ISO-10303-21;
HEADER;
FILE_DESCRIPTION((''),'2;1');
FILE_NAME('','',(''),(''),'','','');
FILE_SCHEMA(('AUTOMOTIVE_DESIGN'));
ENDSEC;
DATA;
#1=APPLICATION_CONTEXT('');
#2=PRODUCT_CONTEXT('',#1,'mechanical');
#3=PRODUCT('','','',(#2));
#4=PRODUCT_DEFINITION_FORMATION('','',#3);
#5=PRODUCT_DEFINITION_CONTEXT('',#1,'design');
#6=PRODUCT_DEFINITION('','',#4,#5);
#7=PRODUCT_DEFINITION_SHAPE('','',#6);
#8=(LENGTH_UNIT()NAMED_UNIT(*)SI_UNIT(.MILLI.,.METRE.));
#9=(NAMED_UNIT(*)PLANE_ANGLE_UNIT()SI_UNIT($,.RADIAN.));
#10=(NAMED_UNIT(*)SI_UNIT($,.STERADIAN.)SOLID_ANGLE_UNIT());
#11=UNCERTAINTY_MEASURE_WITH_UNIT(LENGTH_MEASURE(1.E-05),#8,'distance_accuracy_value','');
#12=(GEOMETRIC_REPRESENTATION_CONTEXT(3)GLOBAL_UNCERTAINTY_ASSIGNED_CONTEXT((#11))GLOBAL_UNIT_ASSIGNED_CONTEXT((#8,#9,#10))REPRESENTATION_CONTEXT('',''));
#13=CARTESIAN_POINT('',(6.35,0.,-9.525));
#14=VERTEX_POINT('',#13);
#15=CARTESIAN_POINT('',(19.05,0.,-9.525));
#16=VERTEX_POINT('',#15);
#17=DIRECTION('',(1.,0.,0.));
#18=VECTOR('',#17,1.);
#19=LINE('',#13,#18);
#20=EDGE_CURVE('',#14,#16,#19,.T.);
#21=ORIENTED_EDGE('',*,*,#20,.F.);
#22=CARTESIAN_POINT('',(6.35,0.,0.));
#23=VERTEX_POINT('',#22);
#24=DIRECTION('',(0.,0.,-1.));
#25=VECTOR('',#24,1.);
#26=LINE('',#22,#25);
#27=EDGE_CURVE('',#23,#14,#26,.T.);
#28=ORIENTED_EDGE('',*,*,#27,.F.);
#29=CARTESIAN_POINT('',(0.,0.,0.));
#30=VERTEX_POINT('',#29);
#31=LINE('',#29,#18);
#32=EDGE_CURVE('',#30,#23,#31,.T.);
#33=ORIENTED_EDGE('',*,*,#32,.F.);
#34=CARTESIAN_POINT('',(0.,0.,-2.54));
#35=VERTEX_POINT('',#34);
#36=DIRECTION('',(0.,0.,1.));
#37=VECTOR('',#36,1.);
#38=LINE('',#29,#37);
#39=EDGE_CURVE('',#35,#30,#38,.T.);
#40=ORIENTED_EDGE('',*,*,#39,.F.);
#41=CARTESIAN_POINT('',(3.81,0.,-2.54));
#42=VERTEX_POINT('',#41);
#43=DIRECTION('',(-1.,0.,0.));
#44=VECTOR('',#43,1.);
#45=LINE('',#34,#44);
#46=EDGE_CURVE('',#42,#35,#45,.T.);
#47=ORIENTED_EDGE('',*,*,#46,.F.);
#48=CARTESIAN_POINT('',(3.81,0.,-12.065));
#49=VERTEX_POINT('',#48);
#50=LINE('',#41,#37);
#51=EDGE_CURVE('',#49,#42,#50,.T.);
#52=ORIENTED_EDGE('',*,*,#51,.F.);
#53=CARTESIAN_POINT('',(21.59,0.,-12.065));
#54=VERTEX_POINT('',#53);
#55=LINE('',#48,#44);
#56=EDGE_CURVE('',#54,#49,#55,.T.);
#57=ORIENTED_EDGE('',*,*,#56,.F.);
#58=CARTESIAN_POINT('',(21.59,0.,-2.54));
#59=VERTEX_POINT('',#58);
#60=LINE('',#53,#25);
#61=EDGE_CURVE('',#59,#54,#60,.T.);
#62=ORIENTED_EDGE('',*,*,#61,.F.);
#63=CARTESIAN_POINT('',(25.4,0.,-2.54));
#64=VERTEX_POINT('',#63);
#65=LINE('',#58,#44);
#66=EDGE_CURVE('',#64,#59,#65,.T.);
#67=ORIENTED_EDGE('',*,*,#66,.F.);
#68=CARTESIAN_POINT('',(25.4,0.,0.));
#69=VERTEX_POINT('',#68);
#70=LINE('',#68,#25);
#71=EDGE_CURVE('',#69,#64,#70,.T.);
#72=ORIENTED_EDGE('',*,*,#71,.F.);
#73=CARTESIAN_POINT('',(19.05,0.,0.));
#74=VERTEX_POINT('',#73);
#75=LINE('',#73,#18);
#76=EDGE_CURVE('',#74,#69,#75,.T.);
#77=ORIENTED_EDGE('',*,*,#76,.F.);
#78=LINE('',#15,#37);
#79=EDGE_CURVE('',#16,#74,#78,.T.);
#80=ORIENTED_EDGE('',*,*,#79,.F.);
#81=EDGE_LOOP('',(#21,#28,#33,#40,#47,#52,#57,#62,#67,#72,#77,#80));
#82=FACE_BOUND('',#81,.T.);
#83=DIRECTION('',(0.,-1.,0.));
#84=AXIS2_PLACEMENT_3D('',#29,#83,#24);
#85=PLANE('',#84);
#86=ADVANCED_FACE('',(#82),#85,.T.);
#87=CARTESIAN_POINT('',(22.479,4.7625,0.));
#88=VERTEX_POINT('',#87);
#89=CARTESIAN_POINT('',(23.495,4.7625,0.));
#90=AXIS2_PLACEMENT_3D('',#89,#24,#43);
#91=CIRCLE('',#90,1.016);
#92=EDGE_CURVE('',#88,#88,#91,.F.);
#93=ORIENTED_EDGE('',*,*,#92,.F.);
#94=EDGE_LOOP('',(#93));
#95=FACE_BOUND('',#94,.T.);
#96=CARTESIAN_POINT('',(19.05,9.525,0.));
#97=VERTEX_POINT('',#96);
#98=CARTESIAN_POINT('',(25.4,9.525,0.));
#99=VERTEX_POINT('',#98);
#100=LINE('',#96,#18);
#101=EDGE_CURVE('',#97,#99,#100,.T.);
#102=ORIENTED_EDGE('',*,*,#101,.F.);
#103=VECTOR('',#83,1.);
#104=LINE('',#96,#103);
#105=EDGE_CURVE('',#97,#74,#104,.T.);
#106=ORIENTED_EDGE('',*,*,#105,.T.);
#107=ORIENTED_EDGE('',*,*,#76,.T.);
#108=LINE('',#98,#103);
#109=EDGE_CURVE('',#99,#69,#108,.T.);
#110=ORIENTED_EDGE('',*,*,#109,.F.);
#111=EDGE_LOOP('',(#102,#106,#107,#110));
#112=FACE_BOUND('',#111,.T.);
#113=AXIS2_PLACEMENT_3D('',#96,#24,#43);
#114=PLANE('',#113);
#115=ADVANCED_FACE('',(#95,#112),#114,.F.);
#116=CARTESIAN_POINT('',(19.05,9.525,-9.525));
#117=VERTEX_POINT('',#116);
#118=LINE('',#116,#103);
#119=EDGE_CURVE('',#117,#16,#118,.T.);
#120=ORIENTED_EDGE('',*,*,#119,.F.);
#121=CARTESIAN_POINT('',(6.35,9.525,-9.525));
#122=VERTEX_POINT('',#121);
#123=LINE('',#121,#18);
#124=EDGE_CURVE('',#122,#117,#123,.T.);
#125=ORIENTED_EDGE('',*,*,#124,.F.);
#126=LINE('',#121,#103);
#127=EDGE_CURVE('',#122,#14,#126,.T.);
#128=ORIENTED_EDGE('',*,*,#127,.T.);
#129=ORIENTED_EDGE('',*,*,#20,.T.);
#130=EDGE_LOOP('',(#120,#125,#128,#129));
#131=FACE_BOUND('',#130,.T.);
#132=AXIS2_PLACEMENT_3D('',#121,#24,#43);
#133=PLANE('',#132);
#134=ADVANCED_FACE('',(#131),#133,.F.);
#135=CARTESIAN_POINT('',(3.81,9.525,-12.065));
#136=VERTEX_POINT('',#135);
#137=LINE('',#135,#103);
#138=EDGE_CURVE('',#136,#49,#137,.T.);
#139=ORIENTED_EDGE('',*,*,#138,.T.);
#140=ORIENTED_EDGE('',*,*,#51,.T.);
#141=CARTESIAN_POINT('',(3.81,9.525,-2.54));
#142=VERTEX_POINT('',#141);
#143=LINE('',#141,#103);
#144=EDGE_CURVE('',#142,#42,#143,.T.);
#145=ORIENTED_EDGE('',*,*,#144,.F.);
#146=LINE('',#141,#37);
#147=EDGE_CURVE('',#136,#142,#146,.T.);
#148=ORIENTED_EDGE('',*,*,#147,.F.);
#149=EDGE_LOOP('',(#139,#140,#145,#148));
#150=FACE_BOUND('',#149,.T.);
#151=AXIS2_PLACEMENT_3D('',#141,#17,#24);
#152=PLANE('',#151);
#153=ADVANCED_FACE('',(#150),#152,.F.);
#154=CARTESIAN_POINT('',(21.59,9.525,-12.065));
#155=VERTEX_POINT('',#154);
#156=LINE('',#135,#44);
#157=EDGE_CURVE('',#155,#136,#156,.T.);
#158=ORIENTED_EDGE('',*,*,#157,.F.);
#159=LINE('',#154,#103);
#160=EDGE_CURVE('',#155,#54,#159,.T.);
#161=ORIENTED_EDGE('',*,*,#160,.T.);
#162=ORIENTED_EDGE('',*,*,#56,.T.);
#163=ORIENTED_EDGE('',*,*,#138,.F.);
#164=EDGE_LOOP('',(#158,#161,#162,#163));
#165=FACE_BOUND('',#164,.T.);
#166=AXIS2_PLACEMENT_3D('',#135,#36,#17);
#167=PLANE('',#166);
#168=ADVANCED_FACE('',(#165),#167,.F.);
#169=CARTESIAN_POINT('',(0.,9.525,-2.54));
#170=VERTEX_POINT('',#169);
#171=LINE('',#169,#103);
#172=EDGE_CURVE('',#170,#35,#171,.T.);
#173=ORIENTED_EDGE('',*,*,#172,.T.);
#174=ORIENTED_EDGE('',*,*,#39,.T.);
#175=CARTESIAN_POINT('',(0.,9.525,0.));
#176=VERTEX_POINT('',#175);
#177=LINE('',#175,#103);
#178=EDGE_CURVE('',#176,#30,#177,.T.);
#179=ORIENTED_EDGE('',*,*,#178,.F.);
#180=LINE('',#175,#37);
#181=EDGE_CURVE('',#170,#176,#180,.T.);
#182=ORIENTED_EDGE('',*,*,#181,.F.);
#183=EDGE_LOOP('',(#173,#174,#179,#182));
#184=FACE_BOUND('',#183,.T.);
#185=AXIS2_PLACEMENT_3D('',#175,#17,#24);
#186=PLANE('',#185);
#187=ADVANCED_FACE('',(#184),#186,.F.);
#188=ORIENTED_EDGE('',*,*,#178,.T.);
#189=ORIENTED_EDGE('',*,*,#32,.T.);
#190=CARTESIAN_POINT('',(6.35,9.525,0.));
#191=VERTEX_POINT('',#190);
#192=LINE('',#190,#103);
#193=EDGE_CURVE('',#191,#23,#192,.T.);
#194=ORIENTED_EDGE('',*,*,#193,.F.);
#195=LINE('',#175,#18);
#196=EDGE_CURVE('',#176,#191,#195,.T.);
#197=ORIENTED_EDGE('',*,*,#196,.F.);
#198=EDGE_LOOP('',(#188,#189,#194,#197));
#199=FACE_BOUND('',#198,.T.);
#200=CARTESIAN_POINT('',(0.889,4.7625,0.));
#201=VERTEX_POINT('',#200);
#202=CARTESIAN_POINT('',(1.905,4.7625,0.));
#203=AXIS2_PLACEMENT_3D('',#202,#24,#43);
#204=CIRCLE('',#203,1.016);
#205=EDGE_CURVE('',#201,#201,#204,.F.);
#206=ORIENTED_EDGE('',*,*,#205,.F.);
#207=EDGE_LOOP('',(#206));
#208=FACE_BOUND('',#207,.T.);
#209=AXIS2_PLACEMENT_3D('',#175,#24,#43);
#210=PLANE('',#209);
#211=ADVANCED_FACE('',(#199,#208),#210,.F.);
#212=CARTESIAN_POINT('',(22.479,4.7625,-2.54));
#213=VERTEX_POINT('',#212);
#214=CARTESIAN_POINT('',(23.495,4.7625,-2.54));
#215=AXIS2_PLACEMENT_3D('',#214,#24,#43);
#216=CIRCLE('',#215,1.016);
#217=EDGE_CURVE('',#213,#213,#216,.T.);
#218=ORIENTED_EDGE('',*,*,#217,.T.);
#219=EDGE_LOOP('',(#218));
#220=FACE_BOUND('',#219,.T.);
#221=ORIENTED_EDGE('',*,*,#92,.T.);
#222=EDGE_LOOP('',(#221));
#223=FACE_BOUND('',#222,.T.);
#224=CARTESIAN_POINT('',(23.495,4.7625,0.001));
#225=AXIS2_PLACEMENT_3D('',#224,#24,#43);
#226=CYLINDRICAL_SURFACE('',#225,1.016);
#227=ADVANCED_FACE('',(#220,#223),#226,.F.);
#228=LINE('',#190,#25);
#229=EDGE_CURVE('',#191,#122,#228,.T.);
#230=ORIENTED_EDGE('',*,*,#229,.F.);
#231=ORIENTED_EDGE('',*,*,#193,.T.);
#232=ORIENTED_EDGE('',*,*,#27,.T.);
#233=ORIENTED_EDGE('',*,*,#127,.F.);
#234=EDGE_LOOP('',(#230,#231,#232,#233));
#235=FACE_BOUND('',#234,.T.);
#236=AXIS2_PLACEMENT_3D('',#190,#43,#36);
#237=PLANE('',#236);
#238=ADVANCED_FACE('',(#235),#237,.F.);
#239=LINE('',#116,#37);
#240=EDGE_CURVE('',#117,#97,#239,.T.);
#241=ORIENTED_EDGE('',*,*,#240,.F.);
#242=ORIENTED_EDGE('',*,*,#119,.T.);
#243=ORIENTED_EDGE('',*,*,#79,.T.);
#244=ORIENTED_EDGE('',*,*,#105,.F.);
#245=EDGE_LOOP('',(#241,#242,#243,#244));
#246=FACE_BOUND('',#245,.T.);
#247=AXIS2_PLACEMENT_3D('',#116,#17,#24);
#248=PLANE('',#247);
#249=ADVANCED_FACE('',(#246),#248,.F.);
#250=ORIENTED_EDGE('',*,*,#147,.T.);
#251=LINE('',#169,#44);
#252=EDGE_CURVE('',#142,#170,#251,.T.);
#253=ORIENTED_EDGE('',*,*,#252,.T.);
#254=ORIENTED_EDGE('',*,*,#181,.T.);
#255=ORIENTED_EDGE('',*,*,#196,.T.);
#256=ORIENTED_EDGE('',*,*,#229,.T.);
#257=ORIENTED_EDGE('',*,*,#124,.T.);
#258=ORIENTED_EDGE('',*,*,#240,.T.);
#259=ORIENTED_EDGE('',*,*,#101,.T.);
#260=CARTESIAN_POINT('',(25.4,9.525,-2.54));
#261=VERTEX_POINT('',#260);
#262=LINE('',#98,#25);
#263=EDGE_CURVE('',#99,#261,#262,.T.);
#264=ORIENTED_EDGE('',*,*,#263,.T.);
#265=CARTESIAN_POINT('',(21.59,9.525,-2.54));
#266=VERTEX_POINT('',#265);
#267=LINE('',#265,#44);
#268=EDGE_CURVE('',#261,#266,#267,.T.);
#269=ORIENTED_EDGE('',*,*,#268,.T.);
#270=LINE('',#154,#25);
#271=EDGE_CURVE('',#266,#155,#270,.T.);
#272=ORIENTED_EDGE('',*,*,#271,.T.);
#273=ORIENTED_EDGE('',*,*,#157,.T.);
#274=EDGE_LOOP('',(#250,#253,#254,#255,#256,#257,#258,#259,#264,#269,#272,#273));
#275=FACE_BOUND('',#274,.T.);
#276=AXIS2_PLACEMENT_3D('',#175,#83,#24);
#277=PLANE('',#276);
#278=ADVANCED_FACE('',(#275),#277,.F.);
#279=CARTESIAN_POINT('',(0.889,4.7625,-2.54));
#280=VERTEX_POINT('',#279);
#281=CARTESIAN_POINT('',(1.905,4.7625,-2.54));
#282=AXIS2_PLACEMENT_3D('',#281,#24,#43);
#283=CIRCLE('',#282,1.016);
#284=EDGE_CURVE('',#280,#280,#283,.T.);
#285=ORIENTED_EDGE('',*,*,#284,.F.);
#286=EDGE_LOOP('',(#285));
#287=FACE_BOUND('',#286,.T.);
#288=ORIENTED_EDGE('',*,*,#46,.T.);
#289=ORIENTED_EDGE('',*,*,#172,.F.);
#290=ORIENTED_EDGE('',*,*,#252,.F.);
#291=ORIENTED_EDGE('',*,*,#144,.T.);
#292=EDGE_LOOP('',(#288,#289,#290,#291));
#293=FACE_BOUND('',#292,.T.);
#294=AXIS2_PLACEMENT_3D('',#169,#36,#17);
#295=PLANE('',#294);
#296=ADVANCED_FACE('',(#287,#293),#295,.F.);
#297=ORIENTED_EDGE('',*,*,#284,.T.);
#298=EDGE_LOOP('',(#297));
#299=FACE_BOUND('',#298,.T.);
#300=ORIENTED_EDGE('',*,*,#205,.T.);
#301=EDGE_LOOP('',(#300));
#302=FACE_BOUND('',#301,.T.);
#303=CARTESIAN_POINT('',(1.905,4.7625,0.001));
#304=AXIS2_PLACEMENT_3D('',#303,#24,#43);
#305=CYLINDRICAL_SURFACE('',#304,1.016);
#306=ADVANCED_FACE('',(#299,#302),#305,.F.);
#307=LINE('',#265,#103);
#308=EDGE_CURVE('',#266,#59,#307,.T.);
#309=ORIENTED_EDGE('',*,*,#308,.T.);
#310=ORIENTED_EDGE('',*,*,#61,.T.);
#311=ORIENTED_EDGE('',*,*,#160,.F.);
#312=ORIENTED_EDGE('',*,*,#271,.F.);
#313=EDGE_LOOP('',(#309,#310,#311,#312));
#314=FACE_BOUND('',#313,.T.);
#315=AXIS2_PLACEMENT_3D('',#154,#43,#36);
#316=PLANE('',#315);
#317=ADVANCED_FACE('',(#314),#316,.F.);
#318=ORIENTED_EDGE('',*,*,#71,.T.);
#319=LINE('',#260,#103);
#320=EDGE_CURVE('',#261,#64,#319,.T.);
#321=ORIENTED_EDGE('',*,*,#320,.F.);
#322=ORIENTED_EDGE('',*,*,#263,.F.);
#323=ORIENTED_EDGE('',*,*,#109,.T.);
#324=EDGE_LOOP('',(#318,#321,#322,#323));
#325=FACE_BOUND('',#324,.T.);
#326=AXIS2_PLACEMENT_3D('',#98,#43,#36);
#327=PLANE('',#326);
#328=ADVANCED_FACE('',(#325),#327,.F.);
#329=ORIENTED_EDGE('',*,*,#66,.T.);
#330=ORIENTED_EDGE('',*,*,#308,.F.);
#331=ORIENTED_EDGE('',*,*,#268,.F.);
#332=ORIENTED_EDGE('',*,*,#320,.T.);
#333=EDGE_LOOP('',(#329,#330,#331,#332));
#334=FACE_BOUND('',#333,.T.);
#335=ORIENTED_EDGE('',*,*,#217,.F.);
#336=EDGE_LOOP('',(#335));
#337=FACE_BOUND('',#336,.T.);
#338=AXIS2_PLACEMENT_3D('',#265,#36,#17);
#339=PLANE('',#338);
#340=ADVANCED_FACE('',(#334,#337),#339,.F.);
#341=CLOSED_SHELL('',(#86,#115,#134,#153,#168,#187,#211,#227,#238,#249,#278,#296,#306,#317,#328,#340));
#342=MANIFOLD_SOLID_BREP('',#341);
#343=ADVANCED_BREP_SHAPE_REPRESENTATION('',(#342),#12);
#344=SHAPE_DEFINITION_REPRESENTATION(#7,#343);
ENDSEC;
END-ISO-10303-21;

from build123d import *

# Parameters (mm, degrees)
BOSS_EXTRUDE1_DEPTH = 9.525
CUT_EXTRUDE1_REACH  = 4.54
SKETCH2_R           = 1.016


with BuildPart() as part:
    # Sketch1 → Boss-Extrude1 (new body)
    with BuildSketch(Plane(origin=(0, 0, 0), x_dir=(1, 0, 0), z_dir=(0, 1, 0))):
        Polygon((0, 0), (6.35, 0), (6.35, 9.525), (19.05, 9.525), (19.05, 0), (25.4, 0), (25.4, 2.54), (21.59, 2.54), (21.59, 12.065), (3.81, 12.065), (3.81, 2.54), (0, 2.54), align=None)
    extrude(amount=BOSS_EXTRUDE1_DEPTH)

    # Sketch2 → Cut-Extrude1 (cut, up to next)
    with BuildSketch(Plane(origin=(0, 0, -2.54), x_dir=(-1, 0, 0), z_dir=(0, 0, -1)), mode=Mode.PRIVATE) as cut_extrude1_sk1:
        with Locations((-1.905, 4.7625)):
            Circle(SKETCH2_R)
    cut_extrude1_tool1 = extrude(cut_extrude1_sk1.sketch, amount=-CUT_EXTRUDE1_REACH, mode=Mode.PRIVATE) & part.part
    add(cut_extrude1_tool1.solids().sort_by_distance((1.905, 4.7625, -2.54))[0], mode=Mode.SUBTRACT)
    # Sketch2 → Cut-Extrude1 (cut, up to next)
    with BuildSketch(Plane(origin=(0, 0, -2.54), x_dir=(-1, 0, 0), z_dir=(0, 0, -1)), mode=Mode.PRIVATE) as cut_extrude1_sk2:
        with Locations((-23.495, 4.7625)):
            Circle(SKETCH2_R)
    cut_extrude1_tool2 = extrude(cut_extrude1_sk2.sketch, amount=-CUT_EXTRUDE1_REACH, mode=Mode.PRIVATE) & part.part
    add(cut_extrude1_tool2.solids().sort_by_distance((23.495, 4.7625, -2.54))[0], mode=Mode.SUBTRACT)


solid = part.part
